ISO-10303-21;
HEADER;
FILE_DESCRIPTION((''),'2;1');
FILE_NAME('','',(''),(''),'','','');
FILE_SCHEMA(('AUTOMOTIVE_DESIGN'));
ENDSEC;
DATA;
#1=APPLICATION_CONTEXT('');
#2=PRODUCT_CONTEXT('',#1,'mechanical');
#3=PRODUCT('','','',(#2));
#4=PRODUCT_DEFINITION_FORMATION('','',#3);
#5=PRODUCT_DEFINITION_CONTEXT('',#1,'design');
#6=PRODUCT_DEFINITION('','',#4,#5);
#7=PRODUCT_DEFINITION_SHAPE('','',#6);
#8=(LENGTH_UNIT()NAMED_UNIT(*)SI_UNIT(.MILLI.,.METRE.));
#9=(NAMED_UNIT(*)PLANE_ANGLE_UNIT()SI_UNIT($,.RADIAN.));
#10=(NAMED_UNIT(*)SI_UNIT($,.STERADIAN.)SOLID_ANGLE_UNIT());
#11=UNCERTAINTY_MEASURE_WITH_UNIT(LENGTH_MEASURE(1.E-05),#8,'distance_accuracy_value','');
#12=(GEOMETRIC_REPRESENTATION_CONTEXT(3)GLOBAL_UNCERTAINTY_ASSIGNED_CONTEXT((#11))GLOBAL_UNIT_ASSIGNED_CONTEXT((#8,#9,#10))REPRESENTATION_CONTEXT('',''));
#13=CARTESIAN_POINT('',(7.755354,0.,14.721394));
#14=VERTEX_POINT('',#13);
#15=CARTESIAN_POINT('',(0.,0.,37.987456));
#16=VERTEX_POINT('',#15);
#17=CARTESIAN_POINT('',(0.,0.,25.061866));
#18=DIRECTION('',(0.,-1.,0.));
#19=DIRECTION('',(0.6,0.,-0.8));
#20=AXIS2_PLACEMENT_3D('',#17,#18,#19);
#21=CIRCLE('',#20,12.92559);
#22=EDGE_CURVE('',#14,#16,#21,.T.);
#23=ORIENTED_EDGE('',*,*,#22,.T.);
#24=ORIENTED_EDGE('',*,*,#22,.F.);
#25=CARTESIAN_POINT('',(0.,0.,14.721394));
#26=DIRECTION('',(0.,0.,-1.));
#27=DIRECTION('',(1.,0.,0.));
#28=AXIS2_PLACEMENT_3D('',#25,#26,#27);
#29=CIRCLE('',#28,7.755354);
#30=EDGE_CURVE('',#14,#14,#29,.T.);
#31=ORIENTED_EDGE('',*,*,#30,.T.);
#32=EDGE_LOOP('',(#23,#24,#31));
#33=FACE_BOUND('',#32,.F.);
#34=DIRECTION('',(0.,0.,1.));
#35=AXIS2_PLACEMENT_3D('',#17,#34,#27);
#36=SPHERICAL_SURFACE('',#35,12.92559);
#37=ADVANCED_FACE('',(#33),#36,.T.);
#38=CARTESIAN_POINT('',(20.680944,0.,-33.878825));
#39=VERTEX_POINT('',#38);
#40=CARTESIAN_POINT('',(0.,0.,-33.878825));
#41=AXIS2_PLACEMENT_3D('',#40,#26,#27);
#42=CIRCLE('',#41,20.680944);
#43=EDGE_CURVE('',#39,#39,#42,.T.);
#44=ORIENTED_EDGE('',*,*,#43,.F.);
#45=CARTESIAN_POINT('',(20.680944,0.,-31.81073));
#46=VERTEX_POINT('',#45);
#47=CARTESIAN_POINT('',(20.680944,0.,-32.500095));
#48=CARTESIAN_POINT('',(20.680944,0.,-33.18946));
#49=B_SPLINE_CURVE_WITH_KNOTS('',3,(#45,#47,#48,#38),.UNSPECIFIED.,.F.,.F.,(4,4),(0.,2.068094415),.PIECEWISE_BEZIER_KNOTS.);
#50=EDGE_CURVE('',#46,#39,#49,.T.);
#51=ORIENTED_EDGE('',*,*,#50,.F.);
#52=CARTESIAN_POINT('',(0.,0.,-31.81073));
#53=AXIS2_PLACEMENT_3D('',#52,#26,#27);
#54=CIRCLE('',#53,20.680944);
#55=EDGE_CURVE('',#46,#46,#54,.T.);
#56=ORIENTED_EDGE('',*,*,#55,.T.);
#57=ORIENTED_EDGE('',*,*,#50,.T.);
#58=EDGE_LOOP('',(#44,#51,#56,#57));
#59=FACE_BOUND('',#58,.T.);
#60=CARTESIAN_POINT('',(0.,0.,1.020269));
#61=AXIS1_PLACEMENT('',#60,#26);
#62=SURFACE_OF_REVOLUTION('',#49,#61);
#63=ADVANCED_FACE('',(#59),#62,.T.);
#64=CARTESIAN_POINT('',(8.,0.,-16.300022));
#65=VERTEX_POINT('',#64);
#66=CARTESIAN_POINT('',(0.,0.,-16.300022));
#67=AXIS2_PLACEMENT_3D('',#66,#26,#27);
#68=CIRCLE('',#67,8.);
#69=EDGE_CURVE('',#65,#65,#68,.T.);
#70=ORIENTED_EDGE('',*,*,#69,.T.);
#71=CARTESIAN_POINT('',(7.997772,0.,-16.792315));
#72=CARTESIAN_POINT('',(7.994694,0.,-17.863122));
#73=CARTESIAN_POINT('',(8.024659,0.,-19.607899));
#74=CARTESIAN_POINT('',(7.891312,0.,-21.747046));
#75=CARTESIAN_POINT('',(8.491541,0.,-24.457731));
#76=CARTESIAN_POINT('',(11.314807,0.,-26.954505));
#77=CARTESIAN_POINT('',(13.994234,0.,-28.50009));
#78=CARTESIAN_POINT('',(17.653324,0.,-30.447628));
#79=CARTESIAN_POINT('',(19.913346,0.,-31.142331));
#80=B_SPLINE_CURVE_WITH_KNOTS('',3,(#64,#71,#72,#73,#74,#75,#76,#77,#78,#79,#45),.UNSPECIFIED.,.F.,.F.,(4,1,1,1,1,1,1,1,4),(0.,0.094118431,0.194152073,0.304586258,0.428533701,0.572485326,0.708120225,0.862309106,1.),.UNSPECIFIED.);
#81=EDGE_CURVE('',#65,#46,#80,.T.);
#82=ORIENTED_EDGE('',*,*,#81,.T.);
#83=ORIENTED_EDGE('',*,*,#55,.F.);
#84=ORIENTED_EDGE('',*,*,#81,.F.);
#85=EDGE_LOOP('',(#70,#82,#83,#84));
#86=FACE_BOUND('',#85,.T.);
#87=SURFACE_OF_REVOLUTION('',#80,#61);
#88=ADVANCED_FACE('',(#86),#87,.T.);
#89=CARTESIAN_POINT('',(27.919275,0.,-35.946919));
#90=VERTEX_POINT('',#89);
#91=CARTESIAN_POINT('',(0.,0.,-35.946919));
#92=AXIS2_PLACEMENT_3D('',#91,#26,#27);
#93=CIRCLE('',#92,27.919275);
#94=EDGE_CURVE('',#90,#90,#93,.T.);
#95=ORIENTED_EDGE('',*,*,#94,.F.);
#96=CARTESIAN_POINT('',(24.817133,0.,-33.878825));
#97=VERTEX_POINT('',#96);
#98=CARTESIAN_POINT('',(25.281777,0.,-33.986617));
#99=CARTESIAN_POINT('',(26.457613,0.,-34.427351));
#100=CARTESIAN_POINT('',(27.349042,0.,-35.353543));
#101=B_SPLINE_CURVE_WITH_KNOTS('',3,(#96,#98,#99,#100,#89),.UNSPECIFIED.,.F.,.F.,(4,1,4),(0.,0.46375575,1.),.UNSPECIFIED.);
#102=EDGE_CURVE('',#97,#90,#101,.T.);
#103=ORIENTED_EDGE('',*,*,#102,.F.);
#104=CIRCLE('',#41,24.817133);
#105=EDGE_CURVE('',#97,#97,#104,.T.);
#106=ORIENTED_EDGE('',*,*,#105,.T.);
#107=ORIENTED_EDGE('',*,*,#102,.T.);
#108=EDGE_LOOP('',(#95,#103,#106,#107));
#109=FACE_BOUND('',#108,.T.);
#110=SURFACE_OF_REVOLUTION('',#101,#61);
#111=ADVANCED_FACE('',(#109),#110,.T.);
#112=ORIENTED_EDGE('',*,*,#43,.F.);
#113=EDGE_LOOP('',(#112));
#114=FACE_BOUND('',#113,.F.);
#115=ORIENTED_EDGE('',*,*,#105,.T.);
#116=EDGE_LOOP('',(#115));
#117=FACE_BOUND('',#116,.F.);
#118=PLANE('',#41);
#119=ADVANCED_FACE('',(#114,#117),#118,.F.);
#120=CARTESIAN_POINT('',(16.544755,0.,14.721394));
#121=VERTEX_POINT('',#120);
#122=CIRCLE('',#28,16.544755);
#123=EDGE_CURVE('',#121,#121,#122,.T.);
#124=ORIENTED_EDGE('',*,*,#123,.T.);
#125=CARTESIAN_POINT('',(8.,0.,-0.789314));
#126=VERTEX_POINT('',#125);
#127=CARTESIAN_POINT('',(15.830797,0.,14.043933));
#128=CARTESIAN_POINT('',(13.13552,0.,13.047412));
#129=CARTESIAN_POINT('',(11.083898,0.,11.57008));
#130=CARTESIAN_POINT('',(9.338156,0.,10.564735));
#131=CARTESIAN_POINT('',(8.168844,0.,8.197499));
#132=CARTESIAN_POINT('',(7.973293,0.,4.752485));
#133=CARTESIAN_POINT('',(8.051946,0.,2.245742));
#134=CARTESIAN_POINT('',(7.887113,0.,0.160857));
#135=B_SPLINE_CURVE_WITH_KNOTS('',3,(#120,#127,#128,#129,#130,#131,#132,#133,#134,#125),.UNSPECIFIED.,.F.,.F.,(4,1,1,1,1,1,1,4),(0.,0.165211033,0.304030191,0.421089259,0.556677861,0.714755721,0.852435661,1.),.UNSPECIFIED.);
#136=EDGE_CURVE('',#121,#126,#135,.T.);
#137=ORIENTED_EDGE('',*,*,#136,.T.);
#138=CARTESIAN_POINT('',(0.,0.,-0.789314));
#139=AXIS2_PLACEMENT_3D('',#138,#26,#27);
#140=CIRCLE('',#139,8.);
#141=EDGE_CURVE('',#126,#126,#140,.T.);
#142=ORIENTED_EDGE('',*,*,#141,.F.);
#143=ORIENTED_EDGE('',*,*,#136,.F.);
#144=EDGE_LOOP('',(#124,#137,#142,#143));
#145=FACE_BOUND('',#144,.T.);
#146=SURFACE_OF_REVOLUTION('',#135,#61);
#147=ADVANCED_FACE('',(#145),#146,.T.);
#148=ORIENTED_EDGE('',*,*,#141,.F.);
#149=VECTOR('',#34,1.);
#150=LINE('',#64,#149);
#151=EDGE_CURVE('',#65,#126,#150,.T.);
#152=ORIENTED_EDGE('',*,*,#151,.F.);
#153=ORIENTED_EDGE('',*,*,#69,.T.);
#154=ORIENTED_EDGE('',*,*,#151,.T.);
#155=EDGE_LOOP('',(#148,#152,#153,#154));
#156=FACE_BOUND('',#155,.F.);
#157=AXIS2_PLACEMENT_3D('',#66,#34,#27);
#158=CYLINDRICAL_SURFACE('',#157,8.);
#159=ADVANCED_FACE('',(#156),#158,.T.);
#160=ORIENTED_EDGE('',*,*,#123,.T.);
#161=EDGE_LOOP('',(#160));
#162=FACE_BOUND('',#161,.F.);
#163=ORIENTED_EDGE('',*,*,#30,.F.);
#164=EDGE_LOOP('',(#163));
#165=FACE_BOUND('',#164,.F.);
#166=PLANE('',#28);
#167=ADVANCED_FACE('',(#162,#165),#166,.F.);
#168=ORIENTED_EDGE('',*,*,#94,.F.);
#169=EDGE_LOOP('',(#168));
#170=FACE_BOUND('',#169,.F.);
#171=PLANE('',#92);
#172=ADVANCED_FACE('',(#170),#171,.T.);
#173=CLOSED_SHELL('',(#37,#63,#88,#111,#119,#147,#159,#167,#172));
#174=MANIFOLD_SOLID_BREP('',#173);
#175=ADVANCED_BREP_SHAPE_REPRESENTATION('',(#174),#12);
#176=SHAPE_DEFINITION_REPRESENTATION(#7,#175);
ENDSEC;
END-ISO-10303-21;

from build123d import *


with BuildPart() as f1:
    # F0 (on Front) → F1 (revolve)
    with BuildSketch(Plane.XZ):
        with BuildLine():
            Line((16.544755321, 14.7213940228), (7.7553540567, 14.7213940228))
            ThreePointArc((7.7553540567, 14.7213940228), (12.2622914401, 29.1492965785), (0, 37.987456193))
            Line((0, 37.987456193), (0, -35.9469191478))
            Line((0, -35.9469191478), (27.9192746042, -35.9469191478))
            add(Edge.make_bspline(
                [(24.8171329815, -33.8788247327), (25.2817774977, -33.9866171881), (26.4576126115, -34.4273513215), (27.3490418853, -35.3535429851), (27.9192746042, -35.9469191478)],
                knots=[0, 0, 0, 0, 0.4637557498, 1, 1, 1, 1], degree=3))
            Line((24.8171329815, -33.8788247327), (20.6809441513, -33.8788247327))
            add(Edge.make_bspline(
                [(20.6809441513, -31.8107303176), (20.6809441513, -32.5000951226), (20.6809441513, -33.1894599277), (20.6809441513, -33.8788247327)],
                knots=[0, 0, 0, 0, 2.0680944151, 2.0680944151, 2.0680944151, 2.0680944151], degree=3))
            add(Edge.make_bspline(
                [(8, -16.3000222041), (7.9977722909, -16.7923153646), (7.9946943128, -17.8631219311), (8.0246592199, -19.6078987434), (7.8913115745, -21.7470459228), (8.4915408177, -24.4577314765), (11.3148067029, -26.9545048012), (13.9942338135, -28.500089739), (17.6533239083, -30.447628257), (19.9133459633, -31.142331248), (20.6809441513, -31.8107303176)],
                knots=[0, 0, 0, 0, 0.0941184309, 0.194152073, 0.3045862581, 0.4285337011, 0.5724853256, 0.7081202251, 0.8623091063, 1, 1, 1, 1], degree=3))
            Line((8, -16.3000222041), (8, -0.7893140907))
            add(Edge.make_bspline(
                [(16.544755321, 14.7213940228), (15.8307965364, 14.0439331122), (13.1355196793, 13.0474120225), (11.083897762, 11.5700801673), (9.3381557014, 10.5647349317), (8.1688437996, 8.197499404), (7.9732925765, 4.7524845323), (8.0519455063, 2.2457423916), (7.8871130334, 0.160856877), (8, -0.7893140907)],
                knots=[0, 0, 0, 0, 0.1652110334, 0.3040301909, 0.4210892592, 0.5566778611, 0.7147557211, 0.8524356609, 1, 1, 1, 1], degree=3))
        make_face()
    revolve(axis=Axis((0, 0, 1.0202685226), (0, 0, -1)))


solid = f1.part
